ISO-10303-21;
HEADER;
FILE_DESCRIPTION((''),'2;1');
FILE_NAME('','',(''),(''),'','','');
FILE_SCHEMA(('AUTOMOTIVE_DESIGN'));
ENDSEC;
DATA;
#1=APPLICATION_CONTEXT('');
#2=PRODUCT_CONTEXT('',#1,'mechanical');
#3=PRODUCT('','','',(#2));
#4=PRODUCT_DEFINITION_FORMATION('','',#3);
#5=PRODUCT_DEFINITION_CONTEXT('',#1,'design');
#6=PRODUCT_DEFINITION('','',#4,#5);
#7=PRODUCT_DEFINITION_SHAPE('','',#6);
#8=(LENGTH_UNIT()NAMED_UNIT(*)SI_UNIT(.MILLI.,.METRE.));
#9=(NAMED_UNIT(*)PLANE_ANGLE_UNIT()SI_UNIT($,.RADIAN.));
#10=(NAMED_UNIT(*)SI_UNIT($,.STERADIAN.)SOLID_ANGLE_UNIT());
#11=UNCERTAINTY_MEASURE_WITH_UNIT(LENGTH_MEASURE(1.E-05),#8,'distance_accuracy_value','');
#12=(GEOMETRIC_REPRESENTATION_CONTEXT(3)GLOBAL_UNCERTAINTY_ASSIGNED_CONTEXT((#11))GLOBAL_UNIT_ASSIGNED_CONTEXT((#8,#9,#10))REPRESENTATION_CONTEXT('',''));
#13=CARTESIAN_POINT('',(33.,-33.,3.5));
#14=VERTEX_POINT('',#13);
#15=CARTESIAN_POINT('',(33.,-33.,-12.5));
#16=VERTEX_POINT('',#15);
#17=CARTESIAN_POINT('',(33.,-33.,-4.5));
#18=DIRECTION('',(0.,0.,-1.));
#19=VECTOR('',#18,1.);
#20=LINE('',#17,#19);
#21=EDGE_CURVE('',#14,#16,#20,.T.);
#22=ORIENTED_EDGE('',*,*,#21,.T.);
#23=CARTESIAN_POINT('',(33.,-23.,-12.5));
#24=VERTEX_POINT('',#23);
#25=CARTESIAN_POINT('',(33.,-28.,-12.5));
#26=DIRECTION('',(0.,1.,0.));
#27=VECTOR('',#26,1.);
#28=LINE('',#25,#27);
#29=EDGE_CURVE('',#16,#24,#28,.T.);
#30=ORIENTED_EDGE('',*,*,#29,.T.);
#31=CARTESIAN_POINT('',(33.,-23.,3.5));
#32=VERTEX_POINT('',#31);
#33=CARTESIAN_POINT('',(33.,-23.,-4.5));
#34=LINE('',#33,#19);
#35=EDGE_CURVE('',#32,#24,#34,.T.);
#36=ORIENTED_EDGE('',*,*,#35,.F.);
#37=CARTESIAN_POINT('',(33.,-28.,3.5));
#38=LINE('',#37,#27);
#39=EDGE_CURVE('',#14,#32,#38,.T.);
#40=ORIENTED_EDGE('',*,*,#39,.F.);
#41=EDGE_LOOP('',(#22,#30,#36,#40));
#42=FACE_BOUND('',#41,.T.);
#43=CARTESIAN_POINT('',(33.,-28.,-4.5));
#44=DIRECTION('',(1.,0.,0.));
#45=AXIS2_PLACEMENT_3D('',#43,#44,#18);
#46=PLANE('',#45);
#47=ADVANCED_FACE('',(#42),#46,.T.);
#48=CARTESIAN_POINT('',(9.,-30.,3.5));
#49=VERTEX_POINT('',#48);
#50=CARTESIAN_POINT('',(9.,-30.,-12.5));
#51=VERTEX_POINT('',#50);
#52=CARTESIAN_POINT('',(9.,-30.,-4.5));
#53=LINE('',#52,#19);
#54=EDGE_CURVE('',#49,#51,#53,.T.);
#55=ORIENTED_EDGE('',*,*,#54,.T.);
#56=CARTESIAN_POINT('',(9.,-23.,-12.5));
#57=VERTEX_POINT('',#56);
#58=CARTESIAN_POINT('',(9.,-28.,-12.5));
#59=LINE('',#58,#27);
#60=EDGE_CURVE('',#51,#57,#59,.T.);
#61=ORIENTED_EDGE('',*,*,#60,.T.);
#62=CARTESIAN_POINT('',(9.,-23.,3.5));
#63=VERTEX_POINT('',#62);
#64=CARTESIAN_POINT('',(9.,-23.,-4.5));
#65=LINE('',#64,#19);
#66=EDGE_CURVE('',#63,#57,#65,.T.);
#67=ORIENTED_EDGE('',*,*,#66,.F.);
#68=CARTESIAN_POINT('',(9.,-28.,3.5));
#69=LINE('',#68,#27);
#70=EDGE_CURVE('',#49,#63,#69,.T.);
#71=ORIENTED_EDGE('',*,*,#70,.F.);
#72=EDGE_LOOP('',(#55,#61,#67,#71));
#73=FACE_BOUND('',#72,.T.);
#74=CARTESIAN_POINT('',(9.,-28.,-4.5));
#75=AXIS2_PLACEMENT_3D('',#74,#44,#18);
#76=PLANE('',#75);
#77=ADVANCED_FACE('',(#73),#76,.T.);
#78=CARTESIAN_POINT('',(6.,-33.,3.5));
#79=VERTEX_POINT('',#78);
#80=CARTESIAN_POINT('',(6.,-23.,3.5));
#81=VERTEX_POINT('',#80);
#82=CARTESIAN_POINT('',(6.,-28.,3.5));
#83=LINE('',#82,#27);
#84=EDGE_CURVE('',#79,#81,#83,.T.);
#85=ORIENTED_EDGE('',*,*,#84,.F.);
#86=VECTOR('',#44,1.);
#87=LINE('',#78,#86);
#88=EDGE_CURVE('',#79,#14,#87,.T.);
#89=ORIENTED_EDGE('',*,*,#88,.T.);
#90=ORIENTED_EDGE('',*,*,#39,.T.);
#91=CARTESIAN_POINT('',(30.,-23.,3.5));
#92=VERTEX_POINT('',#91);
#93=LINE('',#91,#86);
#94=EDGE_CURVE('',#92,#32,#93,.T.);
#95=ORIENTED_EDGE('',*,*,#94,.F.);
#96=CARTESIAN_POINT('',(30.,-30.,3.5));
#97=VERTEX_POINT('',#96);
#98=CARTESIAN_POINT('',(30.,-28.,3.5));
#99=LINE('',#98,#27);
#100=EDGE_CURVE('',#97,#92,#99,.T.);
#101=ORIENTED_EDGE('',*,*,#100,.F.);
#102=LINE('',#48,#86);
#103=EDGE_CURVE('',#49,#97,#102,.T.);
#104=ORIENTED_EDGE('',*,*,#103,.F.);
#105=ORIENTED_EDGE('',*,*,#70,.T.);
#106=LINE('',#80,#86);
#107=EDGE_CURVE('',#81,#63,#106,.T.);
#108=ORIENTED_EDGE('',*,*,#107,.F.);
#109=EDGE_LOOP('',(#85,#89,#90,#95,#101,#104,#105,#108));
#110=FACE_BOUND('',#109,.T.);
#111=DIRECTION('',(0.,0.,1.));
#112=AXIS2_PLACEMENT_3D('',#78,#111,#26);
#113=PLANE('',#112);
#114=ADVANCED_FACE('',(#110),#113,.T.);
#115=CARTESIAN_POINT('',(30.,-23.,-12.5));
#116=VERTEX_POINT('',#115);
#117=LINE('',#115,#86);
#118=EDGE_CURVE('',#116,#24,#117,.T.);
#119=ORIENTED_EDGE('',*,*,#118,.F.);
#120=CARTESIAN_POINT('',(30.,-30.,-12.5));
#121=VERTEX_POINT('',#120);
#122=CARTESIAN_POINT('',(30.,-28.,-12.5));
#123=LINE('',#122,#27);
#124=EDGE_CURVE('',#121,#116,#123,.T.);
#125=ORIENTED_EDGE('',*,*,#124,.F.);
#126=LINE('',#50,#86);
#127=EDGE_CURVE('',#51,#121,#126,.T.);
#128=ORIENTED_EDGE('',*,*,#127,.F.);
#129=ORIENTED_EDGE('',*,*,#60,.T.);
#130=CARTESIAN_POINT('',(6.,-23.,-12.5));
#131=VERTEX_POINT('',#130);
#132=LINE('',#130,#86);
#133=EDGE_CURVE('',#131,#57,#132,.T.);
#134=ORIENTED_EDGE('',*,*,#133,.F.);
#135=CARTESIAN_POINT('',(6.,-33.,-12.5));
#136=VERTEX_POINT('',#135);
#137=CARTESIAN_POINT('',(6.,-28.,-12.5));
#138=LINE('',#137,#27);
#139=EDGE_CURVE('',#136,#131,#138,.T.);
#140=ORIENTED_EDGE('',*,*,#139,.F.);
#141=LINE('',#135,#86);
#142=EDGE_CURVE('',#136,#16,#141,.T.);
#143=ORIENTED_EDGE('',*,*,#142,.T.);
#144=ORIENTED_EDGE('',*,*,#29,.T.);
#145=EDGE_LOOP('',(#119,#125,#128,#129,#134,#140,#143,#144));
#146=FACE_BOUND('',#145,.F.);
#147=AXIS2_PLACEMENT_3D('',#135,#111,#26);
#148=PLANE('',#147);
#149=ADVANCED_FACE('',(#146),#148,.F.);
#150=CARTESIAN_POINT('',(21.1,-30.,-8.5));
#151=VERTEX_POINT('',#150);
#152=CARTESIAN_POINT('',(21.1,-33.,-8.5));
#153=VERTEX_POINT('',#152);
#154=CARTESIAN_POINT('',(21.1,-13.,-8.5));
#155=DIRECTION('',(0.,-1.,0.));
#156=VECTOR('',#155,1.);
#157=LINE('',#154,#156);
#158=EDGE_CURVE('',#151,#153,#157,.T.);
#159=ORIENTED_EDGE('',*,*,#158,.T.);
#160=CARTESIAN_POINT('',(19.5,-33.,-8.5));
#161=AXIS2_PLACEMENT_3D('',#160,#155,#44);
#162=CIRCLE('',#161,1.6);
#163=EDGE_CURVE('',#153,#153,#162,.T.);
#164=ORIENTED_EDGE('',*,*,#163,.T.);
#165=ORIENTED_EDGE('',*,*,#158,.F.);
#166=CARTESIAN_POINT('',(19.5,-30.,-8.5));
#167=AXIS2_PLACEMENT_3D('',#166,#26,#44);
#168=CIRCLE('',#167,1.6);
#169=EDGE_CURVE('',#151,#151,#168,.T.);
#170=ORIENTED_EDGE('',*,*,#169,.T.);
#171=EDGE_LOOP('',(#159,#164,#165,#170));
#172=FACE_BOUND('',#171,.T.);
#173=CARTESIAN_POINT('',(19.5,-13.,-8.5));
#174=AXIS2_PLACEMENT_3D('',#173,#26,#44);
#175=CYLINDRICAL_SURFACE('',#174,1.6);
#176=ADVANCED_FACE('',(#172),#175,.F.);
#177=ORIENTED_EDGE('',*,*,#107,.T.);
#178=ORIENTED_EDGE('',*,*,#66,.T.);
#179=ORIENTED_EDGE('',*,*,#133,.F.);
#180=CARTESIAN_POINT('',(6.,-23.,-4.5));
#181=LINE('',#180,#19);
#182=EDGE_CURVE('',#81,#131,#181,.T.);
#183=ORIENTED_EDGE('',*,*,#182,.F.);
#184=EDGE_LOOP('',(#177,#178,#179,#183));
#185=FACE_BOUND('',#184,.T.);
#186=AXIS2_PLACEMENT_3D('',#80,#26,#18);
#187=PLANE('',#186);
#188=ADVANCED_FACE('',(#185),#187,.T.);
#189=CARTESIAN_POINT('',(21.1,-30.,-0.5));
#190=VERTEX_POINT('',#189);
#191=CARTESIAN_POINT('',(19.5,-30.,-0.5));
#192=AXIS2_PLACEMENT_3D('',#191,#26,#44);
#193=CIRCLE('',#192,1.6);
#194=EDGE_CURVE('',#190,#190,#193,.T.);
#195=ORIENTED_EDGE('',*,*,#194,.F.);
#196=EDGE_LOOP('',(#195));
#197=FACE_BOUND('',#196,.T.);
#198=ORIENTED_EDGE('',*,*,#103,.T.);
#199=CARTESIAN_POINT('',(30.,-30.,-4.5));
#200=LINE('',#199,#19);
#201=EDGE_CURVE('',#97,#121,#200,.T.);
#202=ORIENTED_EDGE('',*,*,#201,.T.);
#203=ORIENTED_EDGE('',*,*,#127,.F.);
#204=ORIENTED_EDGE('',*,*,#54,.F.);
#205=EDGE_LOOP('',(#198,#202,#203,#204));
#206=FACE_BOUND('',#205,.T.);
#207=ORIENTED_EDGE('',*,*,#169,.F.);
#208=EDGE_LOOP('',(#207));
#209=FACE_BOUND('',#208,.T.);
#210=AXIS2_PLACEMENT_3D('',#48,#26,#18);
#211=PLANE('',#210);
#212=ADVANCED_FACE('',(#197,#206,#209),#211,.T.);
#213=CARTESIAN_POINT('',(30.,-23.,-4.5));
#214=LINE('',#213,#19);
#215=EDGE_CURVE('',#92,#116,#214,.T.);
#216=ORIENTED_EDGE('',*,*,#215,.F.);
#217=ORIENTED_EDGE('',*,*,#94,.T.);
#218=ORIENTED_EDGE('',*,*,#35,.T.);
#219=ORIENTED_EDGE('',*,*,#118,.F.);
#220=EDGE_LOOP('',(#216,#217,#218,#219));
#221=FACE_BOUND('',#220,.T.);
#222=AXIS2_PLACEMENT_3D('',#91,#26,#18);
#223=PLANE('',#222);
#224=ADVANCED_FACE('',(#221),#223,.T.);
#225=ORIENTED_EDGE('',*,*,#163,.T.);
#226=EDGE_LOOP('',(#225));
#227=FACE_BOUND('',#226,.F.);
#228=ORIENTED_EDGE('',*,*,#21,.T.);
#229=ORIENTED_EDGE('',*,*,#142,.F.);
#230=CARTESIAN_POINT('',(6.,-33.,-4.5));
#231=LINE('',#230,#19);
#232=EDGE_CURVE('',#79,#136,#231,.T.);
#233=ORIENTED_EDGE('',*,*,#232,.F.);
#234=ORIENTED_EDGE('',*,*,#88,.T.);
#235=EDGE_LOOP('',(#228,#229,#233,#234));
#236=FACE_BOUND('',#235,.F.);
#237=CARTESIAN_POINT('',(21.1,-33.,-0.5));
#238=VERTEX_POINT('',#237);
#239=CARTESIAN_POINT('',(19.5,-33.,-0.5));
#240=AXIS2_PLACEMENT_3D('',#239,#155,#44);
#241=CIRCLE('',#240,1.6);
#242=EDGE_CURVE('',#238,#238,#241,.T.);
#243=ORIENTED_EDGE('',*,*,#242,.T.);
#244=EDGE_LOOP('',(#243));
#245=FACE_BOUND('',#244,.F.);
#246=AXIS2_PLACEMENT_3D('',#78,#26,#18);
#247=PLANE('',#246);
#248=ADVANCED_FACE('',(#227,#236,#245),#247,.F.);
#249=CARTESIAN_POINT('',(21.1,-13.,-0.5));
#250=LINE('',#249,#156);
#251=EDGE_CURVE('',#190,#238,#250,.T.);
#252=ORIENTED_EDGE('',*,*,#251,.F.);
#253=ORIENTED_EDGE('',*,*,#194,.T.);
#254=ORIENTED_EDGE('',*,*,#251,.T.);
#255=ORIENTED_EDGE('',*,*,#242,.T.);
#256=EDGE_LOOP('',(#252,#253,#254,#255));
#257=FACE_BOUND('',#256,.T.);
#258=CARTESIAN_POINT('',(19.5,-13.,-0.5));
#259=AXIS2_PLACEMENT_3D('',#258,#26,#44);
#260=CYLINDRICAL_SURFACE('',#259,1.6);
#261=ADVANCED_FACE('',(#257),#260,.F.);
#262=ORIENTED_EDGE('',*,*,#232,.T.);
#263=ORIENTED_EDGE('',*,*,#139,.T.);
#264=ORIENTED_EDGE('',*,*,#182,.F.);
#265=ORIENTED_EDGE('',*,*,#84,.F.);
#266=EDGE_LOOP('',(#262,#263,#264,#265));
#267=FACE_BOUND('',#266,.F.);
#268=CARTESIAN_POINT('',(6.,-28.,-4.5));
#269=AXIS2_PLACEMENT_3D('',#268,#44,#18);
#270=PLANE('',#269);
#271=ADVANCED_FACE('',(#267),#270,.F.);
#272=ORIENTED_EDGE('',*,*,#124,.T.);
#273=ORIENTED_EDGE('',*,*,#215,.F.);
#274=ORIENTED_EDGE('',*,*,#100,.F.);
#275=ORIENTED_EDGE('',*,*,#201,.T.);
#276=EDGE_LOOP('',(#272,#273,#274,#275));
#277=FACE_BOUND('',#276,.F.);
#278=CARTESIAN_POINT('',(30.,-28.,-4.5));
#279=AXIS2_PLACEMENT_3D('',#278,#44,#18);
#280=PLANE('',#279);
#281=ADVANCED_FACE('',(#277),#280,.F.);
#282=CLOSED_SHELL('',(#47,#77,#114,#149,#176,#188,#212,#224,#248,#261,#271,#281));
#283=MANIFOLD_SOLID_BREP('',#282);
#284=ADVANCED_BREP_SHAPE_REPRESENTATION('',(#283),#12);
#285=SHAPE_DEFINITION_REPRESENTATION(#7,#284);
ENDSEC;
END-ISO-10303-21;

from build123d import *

# Parameters (mm, degrees)
CYLINDER976_R          = 1.6
CYLINDER976_DEPTH      = 20
CYLINDER976_ROLL_ANGLE = 90
CYLINDER975_R          = 1.6
CYLINDER975_DEPTH      = 20
CYLINDER975_ROLL_ANGLE = 90
BOX493_W               = 16
BOX493_H               = 10
BOX493_DEPTH           = 3
BOX492_W               = 16
BOX492_H               = 10
BOX492_DEPTH           = 3
BOX491_W               = 16
BOX491_H               = 3
BOX491_DEPTH           = 21
FUSION493_PITCH_ANGLE  = 90


with BuildPart() as cylinder1038:
    # Cylinder976 → Cylinder976 (new body)
    with BuildSketch(Plane.XY):
        Circle(CYLINDER976_R)
    extrude(amount=CYLINDER976_DEPTH)


with BuildPart() as cylinder1038_1:
    # Cylinder976 roll: moved
    add(cylinder1038.part.rotate(Axis((0, 0, 0), (1, 0, 0)), CYLINDER976_ROLL_ANGLE))


with BuildPart() as cylinder1038_2:
    # Cylinder976 placement: moved
    add(cylinder1038_1.part.moved(Location((19.5, 30, 0.5))))


with BuildPart() as fusion112:
    # Cylinder975 → Cylinder975 (new body)
    with BuildSketch(Plane.XY):
        Circle(CYLINDER975_R)
    extrude(amount=CYLINDER975_DEPTH)


with BuildPart() as fusion112_1:
    # Cylinder975 roll: moved
    add(fusion112.part.rotate(Axis((0, 0, 0), (1, 0, 0)), CYLINDER975_ROLL_ANGLE))


with BuildPart() as fusion112_2:
    # Cylinder975 placement: moved
    add(fusion112_1.part.moved(Location((19.5, 30, -7.5))))

    # Fusion112: union Cylinder1038
    add(cylinder1038_2.part)


with BuildPart() as fusion112_3:
    # Fusion112 placement: moved
    add(fusion112_2.part.moved(Location((0, -43, -1))))


with BuildPart() as cube695:
    # Box493 → Box493 (new body)
    with BuildSketch(Plane(origin=(128, 50.5, -0.5), x_dir=(1, 0, 0), z_dir=(0, 0, 1))):
        with Locations((8, 5)):
            Rectangle(BOX493_W, BOX493_H)
    extrude(amount=BOX493_DEPTH)


with BuildPart() as cube694:
    # Box492 → Box492 (new body)
    with BuildSketch(Plane(origin=(128, 50.5, -24.5), x_dir=(1, 0, 0), z_dir=(0, 0, 1))):
        with Locations((8, 5)):
            Rectangle(BOX492_W, BOX492_H)
    extrude(amount=BOX492_DEPTH)


with BuildPart() as diff_box_mount_holes:
    # Box491 → Box491 (new body)
    with BuildSketch(Plane(origin=(128, 50.5, -21.5), x_dir=(1, 0, 0), z_dir=(0, 0, 1))):
        with Locations((8, 1.5)):
            Rectangle(BOX491_W, BOX491_H)
    extrude(amount=BOX491_DEPTH)

    # Fusion493: union Cube695, Cube694
    add(cube695.part)
    add(cube694.part)


with BuildPart() as diff_box_mount_holes_1:
    # Fusion493 pitch: moved
    add(diff_box_mount_holes.part.rotate(Axis((0, 0, 0), (0, 1, 0)), FUSION493_PITCH_ANGLE))


with BuildPart() as diff_box_mount_holes_2:
    # Fusion493 placement: moved
    add(diff_box_mount_holes_1.part.moved(Location((30.5, -83.5, 131.5))))

    # Cut014057: cut Fusion112
    add(fusion112_3.part, mode=Mode.SUBTRACT)


solid = diff_box_mount_holes_2.part
